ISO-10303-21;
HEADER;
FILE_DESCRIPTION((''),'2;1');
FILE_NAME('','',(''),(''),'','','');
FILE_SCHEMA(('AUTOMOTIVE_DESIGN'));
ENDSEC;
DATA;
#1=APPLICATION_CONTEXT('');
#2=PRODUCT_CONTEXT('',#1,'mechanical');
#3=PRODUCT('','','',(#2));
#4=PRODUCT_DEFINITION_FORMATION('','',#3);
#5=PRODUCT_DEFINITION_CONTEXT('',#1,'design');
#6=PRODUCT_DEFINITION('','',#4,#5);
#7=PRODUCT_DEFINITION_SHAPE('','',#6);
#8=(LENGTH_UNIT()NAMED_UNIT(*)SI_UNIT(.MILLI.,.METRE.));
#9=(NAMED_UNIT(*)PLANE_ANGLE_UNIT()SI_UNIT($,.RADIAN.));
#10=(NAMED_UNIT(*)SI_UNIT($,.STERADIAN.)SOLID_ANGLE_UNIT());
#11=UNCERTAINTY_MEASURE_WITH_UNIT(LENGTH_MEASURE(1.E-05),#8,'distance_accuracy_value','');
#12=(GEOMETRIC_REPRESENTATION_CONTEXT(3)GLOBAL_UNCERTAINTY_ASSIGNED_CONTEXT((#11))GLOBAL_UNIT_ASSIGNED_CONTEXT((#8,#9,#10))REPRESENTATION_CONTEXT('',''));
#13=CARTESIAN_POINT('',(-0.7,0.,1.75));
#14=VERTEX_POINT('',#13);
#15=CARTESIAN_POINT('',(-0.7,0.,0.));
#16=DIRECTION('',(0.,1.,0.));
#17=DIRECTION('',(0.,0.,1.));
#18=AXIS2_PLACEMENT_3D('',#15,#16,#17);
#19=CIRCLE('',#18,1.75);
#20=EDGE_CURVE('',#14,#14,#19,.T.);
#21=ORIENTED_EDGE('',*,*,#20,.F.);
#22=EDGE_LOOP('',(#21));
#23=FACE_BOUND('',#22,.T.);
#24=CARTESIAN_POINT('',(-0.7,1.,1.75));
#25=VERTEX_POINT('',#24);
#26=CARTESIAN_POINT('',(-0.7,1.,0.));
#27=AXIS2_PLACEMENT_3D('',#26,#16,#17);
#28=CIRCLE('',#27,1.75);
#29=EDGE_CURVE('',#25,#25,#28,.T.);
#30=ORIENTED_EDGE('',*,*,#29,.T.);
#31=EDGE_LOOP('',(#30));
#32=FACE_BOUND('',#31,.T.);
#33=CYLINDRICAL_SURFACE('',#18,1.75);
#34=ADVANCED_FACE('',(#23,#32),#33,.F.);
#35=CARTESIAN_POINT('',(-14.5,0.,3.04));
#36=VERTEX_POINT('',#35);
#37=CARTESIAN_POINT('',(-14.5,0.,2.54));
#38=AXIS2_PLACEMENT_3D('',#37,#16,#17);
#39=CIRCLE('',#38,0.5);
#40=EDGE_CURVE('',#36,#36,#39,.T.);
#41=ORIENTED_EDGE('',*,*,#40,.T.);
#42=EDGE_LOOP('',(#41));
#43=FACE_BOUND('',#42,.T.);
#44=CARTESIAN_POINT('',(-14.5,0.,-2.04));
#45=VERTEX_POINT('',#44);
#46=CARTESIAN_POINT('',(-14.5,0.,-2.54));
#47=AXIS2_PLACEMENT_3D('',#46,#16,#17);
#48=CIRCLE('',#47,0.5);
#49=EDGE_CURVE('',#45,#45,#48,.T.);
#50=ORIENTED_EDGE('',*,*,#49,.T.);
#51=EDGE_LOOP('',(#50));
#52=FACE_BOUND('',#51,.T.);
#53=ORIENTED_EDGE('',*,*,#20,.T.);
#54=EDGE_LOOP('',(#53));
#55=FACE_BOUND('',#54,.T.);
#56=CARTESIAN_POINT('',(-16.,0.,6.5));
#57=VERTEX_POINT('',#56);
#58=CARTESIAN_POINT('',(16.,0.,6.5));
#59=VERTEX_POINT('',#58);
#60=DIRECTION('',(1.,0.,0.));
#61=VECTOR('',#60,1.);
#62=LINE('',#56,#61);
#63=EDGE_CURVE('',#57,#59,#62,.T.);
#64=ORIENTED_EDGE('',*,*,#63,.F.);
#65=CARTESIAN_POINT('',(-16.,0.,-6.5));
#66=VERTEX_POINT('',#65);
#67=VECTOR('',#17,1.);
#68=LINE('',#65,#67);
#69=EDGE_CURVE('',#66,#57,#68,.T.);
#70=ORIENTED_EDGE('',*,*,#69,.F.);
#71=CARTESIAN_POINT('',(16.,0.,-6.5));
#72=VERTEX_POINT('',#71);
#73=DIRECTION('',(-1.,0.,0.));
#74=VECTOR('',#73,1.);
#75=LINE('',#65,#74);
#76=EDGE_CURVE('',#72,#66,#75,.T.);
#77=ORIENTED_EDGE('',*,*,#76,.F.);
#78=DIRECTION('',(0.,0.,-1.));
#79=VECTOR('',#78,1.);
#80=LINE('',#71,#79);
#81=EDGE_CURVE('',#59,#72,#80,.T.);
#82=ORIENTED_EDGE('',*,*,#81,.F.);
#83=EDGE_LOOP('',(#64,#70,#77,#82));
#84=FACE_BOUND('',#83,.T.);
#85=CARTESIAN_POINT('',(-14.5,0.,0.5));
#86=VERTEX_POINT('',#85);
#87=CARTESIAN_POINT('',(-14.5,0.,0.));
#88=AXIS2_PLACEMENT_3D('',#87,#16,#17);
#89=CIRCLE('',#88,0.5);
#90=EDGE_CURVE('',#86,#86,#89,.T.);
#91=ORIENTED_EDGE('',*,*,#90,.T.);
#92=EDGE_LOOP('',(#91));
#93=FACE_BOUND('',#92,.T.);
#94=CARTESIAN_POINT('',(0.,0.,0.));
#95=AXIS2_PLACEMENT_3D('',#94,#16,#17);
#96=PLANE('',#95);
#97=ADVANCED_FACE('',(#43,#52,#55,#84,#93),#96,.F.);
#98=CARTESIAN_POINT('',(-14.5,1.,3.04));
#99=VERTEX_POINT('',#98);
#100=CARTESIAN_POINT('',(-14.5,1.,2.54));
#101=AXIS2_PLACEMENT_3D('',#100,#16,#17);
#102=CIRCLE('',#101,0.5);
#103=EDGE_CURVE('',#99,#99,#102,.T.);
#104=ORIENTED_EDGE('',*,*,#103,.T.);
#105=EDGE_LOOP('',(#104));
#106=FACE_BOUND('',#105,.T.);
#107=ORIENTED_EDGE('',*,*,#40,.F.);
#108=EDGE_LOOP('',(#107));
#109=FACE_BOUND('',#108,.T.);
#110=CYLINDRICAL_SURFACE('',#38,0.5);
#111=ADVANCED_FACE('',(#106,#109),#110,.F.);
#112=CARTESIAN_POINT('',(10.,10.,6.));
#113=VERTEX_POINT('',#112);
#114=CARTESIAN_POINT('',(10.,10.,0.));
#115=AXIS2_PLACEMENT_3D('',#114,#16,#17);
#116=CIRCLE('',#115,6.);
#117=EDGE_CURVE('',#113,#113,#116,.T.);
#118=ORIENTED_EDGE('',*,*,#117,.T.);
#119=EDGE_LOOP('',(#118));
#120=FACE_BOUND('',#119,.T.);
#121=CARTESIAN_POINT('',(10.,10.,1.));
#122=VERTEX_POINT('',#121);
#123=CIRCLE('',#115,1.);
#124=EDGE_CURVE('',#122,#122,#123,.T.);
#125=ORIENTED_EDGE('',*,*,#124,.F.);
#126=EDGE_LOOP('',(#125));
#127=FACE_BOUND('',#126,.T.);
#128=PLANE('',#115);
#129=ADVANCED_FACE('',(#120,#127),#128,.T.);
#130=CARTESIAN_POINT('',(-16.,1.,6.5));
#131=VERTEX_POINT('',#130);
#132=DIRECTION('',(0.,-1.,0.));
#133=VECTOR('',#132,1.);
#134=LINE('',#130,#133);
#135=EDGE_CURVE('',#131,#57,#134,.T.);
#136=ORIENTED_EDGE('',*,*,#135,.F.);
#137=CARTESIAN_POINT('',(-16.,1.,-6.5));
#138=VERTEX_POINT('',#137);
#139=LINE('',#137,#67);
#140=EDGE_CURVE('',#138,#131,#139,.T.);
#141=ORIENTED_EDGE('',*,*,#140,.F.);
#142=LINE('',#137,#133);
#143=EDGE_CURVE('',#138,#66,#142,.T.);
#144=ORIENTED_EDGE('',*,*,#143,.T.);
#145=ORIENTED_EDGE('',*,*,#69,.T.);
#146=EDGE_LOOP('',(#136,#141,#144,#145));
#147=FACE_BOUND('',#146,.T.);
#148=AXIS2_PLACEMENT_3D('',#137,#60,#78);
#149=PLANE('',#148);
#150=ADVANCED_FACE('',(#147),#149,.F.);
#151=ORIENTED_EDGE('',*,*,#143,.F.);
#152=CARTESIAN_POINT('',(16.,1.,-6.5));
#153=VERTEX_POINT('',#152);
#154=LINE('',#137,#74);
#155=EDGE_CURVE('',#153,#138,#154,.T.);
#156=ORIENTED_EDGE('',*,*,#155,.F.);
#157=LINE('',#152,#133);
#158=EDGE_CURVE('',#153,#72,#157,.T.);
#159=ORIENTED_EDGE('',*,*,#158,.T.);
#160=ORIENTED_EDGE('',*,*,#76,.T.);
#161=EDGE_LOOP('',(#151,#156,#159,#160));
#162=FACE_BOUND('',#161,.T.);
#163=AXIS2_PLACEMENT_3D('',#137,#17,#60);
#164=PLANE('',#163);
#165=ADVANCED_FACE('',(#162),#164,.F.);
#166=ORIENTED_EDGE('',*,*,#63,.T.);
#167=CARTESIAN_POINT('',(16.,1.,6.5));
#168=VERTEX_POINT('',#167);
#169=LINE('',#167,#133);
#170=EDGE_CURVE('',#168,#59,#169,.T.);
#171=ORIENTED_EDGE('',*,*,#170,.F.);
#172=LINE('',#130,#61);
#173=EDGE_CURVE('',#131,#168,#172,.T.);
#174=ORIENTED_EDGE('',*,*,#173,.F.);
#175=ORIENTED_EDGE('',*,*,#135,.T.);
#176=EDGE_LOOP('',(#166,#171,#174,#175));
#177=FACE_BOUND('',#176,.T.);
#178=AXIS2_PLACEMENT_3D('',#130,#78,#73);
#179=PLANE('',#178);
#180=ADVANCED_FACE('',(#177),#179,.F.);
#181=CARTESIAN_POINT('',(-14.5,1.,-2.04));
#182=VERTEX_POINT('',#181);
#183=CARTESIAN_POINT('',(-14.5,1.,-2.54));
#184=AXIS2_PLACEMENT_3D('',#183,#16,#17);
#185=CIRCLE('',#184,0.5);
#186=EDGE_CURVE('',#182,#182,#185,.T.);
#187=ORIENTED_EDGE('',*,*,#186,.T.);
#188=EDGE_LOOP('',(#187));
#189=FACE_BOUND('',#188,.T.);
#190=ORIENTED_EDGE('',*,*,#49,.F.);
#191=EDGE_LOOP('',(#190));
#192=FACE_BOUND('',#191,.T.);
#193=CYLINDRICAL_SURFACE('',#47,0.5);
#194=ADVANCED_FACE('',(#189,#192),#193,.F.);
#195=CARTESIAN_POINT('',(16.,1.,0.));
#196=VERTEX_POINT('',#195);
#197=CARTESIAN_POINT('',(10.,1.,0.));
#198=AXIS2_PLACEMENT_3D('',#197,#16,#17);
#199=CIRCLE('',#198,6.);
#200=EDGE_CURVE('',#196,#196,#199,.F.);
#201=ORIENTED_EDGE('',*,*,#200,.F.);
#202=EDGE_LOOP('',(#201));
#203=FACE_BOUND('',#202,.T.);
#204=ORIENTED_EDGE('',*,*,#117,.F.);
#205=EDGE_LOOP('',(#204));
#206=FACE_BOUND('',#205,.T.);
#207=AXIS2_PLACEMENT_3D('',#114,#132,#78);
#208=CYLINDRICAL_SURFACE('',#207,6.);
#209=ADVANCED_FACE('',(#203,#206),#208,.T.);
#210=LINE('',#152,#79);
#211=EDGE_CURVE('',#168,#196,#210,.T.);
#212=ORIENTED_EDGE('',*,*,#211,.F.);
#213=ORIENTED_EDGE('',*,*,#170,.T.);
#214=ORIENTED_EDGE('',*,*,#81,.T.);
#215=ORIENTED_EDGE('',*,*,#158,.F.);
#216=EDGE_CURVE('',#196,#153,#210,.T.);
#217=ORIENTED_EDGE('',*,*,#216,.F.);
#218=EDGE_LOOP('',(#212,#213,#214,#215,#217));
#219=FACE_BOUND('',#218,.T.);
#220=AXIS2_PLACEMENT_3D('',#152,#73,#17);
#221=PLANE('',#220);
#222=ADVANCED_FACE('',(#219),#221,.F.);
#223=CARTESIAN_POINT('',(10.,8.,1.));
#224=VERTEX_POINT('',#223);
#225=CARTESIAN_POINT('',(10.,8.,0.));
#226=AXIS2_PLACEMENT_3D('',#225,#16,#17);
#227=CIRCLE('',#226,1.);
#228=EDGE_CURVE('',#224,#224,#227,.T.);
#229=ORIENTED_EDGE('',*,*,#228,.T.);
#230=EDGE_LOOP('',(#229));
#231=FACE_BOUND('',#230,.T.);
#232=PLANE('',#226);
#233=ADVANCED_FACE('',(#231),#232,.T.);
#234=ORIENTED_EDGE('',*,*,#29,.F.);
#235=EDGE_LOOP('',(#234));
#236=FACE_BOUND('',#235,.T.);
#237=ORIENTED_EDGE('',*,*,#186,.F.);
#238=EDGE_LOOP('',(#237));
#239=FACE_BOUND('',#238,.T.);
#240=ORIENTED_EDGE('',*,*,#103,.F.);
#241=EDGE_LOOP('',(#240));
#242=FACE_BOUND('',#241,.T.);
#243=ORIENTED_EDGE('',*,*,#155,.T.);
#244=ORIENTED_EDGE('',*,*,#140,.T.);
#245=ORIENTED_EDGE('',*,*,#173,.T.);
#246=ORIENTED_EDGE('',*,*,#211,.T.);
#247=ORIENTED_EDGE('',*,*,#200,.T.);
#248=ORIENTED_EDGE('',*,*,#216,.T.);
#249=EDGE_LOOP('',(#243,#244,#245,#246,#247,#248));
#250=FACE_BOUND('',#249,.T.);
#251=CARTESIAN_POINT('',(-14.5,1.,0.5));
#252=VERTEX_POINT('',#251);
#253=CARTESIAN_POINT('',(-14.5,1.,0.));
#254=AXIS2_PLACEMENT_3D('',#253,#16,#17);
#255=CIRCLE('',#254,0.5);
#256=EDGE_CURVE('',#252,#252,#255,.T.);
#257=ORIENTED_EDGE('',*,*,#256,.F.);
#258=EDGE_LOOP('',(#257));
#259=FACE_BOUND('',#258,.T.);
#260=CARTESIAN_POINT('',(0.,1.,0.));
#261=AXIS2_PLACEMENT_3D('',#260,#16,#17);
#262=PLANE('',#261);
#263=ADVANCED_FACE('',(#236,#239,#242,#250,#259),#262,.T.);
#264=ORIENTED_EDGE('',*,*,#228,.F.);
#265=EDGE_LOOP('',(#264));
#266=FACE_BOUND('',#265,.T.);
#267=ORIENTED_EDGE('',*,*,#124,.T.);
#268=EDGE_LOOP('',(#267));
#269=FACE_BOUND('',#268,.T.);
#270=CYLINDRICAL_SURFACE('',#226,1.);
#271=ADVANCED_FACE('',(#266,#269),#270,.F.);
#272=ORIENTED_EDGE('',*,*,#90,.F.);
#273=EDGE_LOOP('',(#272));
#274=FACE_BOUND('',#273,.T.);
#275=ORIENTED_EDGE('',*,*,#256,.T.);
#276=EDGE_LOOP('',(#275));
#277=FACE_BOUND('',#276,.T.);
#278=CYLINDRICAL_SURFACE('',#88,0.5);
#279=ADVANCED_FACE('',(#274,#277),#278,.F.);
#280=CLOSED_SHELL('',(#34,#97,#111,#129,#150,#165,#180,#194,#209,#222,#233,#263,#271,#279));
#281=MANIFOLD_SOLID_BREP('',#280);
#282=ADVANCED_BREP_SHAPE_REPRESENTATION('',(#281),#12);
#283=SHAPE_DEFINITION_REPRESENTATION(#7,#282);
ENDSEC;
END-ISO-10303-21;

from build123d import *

# Parameters (mm, degrees)
SKETCH_1_W          = 32
SKETCH_1_H          = 13
EXTRUDE_1_DEPTH     = 1
SKETCH_2_R          = 1.75
CUT_EXTRUDE_1_DEPTH = 2
EXTRUDE_START       = -1
SKETCH_4_R          = 6
EXTRUDE_2_DEPTH     = 10
SKETCH_5_R          = 0.5
CUT_EXTRUDE_2_DEPTH = 2
SKETCH_6_R          = 1
CUT_EXTRUDE_3_DEPTH = 2


with BuildPart() as part:
    # 草图1 → 凸台-拉伸1 (new body)
    with BuildSketch(Plane(origin=(0, 0, 0), x_dir=(1, 0, 0), z_dir=(0, 1, 0))):
        Rectangle(SKETCH_1_W, SKETCH_1_H)
    extrude(amount=EXTRUDE_1_DEPTH)

    # 草图2 → 切除-拉伸1 (cut, through all)
    with BuildSketch(Plane(origin=(0, 1, 0), x_dir=(1, 0, 0), z_dir=(0, 1, 0))):
        with Locations((-0.7, 0)):
            Circle(SKETCH_2_R)
    extrude(amount=-CUT_EXTRUDE_1_DEPTH, mode=Mode.SUBTRACT)

    # 草图4 → 凸台-拉伸2 (add)
    with BuildSketch(Plane(origin=(0, 1, 0), x_dir=(1, 0, 0), z_dir=(0, 1, 0)).offset(EXTRUDE_START)):
        with Locations((10, 0)):
            Circle(SKETCH_4_R)
    extrude(amount=EXTRUDE_2_DEPTH)

    # 草图5 → 切除-拉伸2 (cut, through all)
    with BuildSketch(Plane(origin=(0, 1, 0), x_dir=(1, 0, 0), z_dir=(0, 1, 0))):
        with Locations((-14.5, 2.54)):
            Circle(SKETCH_5_R)
        with Locations((-14.5, 0)):
            Circle(SKETCH_5_R)
        with Locations((-14.5, -2.54)):
            Circle(SKETCH_5_R)
    extrude(amount=-CUT_EXTRUDE_2_DEPTH, mode=Mode.SUBTRACT)

    # 草图6 → 切除-拉伸3 (cut)
    with BuildSketch(Plane(origin=(0, 10, 0), x_dir=(1, 0, 0), z_dir=(0, 1, 0))):
        with Locations((10, 0)):
            Circle(SKETCH_6_R)
    extrude(amount=-CUT_EXTRUDE_3_DEPTH, mode=Mode.SUBTRACT)


solid = part.part
